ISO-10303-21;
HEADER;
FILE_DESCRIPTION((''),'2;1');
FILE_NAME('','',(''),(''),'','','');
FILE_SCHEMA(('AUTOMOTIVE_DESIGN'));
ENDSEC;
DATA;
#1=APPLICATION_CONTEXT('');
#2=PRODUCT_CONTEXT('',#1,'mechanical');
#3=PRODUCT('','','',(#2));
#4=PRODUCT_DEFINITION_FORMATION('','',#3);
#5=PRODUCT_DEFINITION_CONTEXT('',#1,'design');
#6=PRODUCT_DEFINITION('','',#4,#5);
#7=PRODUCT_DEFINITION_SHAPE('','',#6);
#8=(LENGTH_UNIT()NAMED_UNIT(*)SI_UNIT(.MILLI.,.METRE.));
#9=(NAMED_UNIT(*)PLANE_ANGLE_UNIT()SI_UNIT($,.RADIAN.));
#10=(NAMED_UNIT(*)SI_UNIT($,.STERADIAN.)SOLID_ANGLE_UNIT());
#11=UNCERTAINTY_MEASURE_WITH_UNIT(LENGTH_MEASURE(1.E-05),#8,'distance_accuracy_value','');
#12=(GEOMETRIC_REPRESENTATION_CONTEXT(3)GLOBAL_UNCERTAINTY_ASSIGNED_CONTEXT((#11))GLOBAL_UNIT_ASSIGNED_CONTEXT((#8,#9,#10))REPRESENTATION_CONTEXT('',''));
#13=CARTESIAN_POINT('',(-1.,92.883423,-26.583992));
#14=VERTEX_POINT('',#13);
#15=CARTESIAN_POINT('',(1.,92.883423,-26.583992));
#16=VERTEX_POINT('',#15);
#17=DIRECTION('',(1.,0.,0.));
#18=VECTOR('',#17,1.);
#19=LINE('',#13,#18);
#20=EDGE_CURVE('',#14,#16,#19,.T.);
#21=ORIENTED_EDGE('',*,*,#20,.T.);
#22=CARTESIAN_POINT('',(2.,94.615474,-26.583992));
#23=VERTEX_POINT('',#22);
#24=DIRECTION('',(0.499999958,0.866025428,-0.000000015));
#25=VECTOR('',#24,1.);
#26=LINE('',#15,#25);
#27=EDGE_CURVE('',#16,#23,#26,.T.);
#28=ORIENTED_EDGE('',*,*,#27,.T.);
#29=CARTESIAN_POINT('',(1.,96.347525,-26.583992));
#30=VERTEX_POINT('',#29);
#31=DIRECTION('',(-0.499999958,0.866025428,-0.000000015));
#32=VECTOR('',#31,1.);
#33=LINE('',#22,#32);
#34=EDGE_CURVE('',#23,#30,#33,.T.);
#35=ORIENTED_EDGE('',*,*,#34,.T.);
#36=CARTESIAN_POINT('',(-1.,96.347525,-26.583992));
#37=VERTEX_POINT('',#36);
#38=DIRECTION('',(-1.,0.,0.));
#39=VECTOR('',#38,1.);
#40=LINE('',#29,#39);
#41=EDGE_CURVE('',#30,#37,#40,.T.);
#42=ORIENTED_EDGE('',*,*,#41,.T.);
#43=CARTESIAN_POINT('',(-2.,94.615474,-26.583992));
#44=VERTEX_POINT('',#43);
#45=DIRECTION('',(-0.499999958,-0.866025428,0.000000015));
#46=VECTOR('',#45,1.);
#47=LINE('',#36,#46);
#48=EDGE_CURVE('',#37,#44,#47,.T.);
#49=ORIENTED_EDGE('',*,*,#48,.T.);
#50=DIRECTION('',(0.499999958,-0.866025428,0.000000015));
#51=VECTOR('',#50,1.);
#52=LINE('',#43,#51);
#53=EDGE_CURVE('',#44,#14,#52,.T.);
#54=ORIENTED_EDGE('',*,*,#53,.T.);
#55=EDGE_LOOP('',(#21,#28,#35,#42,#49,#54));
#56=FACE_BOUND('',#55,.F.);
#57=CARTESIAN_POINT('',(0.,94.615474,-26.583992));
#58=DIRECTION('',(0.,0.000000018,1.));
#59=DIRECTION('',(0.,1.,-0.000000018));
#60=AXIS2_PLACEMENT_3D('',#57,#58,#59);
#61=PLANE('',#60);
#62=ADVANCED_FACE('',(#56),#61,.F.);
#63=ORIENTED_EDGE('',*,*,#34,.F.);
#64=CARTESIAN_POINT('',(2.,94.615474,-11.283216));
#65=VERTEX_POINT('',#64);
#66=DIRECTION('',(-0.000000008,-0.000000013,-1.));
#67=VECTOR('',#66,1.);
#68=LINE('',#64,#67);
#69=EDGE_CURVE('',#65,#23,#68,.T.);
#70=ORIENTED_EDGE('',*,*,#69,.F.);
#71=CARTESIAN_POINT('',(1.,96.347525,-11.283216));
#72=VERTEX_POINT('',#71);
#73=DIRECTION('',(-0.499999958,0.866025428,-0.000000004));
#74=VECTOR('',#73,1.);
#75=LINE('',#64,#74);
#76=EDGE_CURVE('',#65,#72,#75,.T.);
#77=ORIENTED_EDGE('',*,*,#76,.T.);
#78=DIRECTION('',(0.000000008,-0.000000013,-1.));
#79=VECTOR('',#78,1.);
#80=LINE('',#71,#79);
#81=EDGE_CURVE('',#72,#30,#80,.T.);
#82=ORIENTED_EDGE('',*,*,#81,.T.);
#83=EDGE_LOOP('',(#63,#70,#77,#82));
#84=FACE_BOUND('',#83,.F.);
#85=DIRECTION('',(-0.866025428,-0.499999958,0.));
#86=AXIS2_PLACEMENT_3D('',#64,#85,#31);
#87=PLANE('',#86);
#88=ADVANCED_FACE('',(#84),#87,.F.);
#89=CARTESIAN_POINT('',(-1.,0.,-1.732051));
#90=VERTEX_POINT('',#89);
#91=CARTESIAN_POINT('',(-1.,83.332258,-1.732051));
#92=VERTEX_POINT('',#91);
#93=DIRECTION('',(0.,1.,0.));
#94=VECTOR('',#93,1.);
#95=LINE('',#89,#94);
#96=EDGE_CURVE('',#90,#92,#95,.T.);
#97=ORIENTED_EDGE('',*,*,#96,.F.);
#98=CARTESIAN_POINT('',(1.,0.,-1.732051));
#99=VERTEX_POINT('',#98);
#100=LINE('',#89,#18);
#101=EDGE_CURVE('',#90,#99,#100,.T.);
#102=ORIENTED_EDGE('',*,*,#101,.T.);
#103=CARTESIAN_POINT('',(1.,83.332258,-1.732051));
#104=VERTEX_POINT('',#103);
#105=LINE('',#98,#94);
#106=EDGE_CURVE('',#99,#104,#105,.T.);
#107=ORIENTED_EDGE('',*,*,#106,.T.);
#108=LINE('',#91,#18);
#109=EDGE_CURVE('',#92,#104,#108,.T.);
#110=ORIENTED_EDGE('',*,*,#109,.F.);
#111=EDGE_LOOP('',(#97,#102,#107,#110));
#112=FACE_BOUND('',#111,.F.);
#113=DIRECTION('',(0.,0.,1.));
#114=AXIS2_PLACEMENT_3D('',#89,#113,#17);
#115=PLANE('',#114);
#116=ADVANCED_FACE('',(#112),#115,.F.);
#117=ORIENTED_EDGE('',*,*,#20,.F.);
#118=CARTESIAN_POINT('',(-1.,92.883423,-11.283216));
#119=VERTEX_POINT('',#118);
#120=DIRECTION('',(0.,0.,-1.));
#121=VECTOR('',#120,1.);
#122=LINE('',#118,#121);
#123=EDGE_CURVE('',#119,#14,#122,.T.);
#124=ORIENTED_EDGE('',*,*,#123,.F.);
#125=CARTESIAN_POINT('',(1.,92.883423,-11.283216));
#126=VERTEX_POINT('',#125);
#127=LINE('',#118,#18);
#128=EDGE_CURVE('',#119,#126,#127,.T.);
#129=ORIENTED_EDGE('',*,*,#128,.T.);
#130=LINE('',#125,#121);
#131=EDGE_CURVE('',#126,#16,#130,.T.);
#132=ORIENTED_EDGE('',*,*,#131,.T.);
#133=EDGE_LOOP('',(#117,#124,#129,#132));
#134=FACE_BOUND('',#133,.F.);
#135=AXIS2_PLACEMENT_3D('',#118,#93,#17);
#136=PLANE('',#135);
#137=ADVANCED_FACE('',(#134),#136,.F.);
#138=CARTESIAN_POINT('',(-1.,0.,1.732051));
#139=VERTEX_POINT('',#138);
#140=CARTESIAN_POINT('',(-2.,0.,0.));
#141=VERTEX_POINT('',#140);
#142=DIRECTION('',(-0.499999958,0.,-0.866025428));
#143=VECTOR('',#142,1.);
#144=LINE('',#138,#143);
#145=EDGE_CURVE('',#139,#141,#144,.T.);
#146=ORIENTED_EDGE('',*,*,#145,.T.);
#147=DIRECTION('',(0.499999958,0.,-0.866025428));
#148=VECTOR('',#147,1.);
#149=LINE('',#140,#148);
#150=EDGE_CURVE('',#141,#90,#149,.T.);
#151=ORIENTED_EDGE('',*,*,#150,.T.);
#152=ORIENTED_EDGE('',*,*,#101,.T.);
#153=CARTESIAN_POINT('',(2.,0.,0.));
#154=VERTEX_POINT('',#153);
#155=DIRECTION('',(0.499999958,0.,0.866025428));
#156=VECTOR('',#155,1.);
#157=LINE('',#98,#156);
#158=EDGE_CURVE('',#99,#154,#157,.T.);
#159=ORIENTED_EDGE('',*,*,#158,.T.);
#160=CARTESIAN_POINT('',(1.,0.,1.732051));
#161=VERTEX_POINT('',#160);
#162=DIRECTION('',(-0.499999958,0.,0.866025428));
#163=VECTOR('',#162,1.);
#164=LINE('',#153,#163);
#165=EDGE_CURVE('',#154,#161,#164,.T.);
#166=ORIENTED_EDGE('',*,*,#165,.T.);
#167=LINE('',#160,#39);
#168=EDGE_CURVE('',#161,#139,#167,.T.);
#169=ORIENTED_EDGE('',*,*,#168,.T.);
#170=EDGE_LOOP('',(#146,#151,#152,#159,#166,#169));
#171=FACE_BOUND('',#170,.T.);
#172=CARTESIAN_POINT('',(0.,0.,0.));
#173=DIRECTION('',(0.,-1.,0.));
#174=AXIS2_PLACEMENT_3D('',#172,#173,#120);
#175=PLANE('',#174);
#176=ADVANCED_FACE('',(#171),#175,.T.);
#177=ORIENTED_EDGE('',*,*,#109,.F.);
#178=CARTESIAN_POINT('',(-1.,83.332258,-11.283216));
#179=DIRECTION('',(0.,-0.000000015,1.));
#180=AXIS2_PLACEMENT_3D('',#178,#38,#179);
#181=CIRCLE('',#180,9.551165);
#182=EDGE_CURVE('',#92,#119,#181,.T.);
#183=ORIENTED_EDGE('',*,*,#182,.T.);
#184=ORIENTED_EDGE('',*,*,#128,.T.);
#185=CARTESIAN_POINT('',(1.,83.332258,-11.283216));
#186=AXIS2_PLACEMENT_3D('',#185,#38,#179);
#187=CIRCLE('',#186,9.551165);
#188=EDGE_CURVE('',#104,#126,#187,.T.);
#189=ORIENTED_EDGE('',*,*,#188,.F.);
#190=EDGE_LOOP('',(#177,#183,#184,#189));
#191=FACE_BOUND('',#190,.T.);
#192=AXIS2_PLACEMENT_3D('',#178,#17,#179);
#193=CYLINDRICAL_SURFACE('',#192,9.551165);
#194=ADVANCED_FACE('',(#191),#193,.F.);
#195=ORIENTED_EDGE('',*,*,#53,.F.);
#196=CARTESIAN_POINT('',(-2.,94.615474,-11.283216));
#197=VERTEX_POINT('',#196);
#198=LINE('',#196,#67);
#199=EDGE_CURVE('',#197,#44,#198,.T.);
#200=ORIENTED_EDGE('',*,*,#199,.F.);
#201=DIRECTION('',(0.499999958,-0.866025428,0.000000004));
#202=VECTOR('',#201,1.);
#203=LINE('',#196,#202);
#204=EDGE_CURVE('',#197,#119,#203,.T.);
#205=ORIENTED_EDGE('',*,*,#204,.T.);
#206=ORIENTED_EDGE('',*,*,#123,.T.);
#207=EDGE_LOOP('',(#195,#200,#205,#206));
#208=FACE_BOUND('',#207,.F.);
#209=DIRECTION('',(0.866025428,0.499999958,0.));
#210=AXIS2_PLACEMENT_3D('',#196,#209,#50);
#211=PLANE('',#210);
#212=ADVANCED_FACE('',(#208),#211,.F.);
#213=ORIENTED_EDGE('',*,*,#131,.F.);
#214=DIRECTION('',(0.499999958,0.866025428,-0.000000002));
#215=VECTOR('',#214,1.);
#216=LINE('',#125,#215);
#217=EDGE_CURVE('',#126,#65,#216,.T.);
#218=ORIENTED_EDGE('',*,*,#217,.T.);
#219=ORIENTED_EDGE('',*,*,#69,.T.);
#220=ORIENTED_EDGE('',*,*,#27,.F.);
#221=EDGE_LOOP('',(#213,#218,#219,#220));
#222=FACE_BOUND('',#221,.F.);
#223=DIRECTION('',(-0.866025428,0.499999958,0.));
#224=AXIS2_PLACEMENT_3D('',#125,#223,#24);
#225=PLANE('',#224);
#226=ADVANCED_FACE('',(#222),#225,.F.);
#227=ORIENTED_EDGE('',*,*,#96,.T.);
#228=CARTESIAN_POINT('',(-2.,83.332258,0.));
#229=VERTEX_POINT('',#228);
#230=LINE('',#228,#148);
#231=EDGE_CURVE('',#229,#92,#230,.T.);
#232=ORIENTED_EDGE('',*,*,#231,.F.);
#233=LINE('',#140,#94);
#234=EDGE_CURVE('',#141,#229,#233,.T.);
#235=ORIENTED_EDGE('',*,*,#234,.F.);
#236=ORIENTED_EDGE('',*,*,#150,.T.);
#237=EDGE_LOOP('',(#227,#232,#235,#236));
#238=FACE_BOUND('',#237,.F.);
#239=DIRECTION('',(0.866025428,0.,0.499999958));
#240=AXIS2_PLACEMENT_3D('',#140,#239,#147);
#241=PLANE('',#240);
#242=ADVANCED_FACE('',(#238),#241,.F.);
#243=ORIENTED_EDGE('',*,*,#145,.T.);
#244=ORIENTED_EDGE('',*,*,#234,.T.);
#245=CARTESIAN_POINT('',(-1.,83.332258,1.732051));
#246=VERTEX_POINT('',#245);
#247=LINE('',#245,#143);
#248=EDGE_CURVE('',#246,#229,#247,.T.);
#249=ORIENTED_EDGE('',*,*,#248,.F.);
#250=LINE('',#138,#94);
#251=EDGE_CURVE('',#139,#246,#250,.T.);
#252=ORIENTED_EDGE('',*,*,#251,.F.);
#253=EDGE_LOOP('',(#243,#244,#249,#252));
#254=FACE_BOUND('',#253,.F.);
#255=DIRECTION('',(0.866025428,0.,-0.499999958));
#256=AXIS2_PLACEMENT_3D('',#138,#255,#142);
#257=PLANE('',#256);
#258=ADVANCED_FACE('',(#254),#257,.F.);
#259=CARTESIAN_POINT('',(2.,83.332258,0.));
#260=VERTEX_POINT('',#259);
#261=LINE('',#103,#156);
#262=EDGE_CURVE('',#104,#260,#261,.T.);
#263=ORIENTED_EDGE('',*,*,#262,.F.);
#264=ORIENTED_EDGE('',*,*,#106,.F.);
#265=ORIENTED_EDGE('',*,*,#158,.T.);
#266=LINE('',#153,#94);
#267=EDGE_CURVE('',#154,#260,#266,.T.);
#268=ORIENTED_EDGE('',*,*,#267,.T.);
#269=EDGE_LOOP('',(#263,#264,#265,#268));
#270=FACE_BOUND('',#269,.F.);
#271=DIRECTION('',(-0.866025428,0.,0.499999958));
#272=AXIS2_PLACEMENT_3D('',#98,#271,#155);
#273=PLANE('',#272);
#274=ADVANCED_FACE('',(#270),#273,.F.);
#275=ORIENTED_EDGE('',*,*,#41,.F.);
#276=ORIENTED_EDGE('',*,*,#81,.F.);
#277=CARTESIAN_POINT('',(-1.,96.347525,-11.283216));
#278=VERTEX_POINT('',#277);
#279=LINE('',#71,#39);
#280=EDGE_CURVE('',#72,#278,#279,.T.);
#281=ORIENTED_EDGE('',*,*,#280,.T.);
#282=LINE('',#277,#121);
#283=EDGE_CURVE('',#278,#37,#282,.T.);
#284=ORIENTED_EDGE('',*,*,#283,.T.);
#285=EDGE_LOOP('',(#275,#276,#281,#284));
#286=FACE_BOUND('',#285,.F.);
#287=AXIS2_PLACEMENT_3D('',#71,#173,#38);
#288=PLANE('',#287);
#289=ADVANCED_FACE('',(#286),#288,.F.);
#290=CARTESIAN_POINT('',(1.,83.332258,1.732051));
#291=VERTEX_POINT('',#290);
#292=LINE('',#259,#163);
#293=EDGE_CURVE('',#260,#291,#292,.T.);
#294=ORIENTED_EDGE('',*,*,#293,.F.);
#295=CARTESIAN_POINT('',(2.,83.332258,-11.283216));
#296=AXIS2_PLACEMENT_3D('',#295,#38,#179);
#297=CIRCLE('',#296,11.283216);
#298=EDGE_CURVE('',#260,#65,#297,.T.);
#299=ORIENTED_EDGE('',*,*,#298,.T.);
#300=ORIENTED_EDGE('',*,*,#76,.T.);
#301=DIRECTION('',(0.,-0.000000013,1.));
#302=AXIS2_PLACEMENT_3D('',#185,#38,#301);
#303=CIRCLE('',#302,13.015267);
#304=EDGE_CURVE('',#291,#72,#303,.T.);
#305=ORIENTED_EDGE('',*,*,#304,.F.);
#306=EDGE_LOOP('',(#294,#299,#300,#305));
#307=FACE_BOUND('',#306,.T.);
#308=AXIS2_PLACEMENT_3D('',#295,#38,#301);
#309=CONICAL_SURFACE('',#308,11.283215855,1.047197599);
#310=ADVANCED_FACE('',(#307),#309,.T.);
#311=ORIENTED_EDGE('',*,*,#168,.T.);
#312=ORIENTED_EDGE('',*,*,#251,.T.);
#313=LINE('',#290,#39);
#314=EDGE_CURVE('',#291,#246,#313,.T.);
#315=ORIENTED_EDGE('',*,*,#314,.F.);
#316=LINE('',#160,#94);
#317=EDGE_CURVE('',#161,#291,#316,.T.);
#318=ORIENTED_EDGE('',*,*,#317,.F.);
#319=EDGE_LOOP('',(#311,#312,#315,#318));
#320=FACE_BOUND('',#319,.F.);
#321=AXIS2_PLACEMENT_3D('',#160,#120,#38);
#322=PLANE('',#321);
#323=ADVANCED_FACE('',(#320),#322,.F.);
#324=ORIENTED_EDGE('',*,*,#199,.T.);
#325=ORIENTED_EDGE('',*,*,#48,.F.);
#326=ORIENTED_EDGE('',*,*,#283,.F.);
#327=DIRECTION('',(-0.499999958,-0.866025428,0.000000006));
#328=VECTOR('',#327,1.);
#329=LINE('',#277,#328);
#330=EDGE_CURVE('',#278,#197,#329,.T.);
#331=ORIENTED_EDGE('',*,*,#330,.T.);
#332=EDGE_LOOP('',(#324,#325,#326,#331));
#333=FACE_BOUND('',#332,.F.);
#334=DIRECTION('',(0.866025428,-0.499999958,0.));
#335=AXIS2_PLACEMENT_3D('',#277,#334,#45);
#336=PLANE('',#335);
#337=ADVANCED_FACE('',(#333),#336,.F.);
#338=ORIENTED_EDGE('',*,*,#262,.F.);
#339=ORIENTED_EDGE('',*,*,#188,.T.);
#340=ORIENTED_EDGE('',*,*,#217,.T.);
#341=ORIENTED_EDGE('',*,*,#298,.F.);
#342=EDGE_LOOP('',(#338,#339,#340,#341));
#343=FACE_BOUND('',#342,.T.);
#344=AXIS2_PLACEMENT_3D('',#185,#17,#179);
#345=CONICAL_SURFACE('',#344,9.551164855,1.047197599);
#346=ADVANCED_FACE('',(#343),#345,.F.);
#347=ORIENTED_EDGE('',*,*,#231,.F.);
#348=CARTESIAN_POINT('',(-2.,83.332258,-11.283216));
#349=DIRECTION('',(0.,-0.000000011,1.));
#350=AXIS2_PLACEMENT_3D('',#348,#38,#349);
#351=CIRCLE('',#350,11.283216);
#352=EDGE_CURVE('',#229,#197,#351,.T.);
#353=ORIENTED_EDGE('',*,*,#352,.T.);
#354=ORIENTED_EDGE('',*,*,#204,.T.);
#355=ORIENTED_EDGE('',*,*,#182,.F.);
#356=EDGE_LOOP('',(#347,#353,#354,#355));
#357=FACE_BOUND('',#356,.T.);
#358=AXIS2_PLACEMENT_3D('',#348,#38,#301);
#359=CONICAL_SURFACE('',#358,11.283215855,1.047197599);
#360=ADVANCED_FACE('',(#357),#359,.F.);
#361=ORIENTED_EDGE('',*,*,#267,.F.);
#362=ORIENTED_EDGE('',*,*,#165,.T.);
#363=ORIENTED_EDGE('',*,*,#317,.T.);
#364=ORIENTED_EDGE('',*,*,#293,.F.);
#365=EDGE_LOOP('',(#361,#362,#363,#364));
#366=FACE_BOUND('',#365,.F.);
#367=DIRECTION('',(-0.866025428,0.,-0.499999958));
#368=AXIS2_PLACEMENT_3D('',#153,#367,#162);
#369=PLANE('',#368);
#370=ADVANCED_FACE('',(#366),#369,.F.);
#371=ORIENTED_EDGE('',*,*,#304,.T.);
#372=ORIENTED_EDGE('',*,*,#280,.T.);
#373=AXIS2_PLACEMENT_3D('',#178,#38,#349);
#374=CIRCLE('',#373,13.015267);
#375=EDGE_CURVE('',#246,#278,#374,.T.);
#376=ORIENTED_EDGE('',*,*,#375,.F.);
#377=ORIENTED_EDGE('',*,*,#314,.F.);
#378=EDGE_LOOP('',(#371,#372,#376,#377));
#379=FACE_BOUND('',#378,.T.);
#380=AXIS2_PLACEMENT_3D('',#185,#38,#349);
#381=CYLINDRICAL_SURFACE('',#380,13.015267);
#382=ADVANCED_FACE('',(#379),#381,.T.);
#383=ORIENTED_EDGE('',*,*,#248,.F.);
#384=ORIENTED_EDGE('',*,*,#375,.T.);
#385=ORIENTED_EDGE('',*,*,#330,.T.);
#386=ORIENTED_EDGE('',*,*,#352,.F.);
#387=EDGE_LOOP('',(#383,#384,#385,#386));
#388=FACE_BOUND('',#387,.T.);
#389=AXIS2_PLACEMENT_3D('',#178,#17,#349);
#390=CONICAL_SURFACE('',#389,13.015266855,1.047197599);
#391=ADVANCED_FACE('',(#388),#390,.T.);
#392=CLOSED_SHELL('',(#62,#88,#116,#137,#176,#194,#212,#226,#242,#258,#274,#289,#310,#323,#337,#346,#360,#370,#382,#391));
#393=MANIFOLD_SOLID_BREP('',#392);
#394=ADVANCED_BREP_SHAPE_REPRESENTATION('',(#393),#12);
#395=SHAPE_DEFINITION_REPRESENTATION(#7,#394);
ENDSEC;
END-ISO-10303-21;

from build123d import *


with BuildPart() as f2:
    # F2: sweep along a path in F1
    with BuildLine(Plane.YZ) as f2_path:
        Line((0, 5.226784), (83.332258, 5.226784))
        ThreePointArc((83.332258, 5.226784), (95.006591, 0.391117), (99.842258, -11.283216))
        Line((99.842258, -11.283216), (99.842258, -26.583992))
    # F0 (on Front) → F2 (sweep)
    with BuildSketch(Plane.XZ):
        Polygon((-1, -1.732051), (1, -1.732051), (2, 0), (1, 1.732051), (-1, 1.732051), (-2, 0), align=None)
    sweep(path=f2_path.line)


solid = f2.part
